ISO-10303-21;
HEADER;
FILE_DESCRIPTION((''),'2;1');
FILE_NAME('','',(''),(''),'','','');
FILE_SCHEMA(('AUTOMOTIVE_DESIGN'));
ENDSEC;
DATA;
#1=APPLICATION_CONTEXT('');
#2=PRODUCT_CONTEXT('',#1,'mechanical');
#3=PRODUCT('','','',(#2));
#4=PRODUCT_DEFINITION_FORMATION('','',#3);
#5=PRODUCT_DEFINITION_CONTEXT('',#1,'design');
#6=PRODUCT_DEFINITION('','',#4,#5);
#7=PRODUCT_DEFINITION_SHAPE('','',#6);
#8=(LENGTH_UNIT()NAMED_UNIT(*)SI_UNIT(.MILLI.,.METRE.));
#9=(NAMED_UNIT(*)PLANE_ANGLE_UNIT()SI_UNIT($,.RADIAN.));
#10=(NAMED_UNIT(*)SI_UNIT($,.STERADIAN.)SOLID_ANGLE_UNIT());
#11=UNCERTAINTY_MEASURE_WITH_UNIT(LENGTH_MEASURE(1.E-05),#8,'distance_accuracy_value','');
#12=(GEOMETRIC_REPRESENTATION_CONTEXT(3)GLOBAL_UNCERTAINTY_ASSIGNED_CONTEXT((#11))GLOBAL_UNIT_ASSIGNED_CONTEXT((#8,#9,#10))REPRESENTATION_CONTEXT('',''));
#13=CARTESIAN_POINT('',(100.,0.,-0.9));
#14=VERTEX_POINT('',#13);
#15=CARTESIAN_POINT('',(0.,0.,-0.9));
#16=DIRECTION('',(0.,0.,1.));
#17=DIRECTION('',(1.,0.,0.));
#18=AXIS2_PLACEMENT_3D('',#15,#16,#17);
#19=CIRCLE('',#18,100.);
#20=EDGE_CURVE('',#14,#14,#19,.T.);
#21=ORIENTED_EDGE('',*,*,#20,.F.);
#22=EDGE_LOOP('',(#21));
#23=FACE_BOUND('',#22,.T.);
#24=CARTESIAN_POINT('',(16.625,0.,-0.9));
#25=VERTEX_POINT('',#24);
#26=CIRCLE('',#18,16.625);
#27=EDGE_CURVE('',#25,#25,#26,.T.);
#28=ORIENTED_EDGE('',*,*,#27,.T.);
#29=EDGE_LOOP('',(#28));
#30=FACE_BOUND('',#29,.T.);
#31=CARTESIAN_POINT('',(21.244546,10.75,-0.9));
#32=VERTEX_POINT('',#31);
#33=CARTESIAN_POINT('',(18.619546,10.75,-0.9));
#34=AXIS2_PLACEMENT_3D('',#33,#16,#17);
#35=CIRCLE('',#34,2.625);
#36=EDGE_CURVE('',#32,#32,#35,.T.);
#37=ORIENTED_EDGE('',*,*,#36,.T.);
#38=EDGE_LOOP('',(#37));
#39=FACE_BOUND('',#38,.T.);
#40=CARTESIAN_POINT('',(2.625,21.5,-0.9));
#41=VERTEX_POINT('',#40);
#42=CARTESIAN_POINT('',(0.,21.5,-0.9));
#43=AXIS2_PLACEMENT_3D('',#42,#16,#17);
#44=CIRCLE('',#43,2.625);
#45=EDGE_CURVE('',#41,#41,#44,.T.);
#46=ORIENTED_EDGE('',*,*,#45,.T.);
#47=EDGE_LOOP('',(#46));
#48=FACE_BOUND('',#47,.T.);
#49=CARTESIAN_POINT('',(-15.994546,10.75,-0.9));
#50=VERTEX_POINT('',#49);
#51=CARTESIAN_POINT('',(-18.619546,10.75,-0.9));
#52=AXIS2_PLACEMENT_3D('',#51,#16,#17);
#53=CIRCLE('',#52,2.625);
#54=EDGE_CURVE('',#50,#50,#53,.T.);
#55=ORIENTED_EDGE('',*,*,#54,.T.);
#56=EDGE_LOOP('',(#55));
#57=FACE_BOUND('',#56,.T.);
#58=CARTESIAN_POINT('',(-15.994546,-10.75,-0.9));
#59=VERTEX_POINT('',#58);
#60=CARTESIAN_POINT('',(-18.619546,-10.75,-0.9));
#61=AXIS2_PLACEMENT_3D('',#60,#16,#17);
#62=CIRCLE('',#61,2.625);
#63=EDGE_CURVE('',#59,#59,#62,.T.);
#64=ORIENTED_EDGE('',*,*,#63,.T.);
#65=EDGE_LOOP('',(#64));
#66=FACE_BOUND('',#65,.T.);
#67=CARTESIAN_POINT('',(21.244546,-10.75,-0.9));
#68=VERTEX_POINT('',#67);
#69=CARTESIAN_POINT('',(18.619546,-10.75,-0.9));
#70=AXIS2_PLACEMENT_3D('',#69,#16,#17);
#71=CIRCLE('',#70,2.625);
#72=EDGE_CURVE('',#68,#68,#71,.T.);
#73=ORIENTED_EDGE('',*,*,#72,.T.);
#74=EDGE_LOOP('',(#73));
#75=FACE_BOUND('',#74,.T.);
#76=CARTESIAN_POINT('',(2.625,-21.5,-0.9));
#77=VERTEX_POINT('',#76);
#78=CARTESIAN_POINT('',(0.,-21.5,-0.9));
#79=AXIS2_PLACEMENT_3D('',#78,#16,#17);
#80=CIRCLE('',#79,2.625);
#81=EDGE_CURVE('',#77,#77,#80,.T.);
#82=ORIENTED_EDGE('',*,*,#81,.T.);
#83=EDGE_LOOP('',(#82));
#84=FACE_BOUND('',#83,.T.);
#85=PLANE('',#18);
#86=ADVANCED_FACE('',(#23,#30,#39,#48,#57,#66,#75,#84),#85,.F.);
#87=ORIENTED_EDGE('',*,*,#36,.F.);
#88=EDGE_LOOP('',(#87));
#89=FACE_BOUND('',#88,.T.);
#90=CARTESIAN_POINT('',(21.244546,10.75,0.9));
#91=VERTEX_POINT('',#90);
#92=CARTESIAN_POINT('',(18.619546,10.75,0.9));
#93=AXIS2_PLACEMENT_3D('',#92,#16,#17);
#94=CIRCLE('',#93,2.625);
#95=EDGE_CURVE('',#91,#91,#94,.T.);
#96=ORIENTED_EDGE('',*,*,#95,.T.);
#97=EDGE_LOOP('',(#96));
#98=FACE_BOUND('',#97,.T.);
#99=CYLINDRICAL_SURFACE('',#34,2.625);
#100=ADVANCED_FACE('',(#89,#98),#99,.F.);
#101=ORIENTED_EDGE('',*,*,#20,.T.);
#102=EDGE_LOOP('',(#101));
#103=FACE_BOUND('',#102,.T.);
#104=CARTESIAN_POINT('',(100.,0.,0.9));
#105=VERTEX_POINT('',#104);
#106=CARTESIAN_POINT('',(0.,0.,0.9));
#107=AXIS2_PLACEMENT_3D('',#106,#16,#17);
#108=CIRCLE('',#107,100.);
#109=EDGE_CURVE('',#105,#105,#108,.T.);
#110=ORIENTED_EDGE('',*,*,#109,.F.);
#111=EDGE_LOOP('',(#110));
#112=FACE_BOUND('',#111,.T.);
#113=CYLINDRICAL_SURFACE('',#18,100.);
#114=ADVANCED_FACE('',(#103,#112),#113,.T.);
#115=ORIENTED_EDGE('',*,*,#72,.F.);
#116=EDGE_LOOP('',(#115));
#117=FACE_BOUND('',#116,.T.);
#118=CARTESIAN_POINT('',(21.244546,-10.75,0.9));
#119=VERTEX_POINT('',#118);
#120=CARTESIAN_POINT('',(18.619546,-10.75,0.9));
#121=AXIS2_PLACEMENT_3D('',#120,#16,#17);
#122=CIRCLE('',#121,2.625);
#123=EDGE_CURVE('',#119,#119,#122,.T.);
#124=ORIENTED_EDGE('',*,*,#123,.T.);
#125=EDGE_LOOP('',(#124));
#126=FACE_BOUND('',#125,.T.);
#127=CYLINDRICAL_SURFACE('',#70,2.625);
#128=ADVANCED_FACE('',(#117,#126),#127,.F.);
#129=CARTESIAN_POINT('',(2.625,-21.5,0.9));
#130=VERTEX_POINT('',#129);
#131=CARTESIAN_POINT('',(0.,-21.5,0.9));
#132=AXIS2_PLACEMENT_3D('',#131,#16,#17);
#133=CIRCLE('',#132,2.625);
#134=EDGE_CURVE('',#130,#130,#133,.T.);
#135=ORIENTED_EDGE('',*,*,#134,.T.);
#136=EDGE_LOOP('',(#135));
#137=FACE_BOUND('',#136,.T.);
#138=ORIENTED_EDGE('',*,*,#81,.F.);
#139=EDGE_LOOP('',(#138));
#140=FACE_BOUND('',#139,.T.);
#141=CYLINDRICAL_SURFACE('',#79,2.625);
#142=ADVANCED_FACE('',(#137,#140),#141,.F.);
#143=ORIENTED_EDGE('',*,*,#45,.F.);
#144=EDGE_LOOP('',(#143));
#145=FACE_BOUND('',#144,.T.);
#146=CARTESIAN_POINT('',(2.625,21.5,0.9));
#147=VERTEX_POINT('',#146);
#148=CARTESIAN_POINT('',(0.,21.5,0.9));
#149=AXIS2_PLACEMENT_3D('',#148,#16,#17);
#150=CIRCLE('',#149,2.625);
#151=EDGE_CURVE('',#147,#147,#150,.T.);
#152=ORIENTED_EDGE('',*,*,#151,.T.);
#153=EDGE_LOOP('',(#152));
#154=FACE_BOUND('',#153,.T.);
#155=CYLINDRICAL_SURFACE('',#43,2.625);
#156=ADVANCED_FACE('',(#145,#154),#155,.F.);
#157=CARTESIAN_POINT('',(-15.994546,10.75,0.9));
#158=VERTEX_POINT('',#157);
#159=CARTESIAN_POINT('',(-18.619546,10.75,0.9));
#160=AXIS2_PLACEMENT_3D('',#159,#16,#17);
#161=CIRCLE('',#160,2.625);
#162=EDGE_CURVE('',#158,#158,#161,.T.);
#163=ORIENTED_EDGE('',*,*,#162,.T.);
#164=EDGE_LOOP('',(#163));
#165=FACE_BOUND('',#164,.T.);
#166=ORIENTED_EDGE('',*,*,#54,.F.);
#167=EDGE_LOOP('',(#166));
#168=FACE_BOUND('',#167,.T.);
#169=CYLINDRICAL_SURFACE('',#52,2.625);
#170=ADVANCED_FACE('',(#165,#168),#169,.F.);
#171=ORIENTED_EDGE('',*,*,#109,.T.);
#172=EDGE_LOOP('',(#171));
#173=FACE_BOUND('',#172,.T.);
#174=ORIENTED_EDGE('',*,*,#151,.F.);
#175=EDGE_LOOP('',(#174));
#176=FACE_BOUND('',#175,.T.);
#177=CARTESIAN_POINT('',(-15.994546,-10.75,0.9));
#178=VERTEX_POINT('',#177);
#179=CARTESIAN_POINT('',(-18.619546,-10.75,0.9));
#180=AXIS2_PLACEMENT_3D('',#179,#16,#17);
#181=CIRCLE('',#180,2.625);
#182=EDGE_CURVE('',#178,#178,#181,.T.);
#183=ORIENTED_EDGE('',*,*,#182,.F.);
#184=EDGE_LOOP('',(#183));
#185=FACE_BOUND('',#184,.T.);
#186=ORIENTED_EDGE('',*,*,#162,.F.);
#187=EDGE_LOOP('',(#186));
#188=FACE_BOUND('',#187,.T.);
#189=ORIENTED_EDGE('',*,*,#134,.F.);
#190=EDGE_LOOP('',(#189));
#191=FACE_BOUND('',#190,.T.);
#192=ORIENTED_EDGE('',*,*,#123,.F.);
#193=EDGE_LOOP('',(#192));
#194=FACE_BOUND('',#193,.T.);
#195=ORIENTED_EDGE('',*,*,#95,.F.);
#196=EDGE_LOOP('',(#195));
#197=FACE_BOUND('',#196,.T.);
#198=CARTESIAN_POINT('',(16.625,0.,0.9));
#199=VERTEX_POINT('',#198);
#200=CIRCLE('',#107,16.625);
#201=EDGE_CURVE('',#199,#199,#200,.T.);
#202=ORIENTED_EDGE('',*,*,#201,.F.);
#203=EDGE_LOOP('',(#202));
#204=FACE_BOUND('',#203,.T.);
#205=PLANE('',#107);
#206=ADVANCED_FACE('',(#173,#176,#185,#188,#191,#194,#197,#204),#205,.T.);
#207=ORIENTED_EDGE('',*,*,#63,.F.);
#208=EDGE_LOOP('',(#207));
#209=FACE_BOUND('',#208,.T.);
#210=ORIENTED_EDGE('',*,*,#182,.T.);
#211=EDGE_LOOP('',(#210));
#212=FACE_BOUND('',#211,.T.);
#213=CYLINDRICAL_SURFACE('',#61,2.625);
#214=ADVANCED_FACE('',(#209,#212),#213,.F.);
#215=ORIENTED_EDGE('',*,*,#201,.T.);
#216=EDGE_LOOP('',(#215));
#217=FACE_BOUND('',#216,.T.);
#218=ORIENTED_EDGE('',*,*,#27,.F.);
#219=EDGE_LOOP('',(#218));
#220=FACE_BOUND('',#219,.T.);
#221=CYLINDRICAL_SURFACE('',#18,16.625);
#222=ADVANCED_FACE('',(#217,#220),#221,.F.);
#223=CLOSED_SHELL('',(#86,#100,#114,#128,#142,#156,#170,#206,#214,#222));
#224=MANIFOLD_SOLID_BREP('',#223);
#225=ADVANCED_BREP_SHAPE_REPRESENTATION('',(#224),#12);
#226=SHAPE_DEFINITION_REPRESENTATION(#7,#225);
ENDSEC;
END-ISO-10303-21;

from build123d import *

# Parameters (mm, degrees)
BOSS_EXTRUDE1_DEPTH      = 0.9
BOSS_EXTRUDE1_DEPTH_BACK = 0.9
SKETCH1_R                = 100
SKETCH1_R_2              = 16.625
SKETCH1_R_3              = 2.625


with BuildPart() as part:
    # Sketch1 → Boss-Extrude1 (new, two sides: drawn at the far end of the back side and taken through both)
    with BuildSketch(Plane.XY.offset(-BOSS_EXTRUDE1_DEPTH_BACK)):
        Circle(SKETCH1_R)
        Circle(SKETCH1_R_2, mode=Mode.SUBTRACT)
        with Locations((0, 21.5)):
            Circle(SKETCH1_R_3, mode=Mode.SUBTRACT)
        with Locations((18.619546181, 10.75)):
            Circle(SKETCH1_R_3, mode=Mode.SUBTRACT)
        with Locations((18.619546181, -10.75)):
            Circle(SKETCH1_R_3, mode=Mode.SUBTRACT)
        with Locations((0, -21.5)):
            Circle(SKETCH1_R_3, mode=Mode.SUBTRACT)
        with Locations((-18.619546181, -10.75)):
            Circle(SKETCH1_R_3, mode=Mode.SUBTRACT)
        with Locations((-18.619546181, 10.75)):
            Circle(SKETCH1_R_3, mode=Mode.SUBTRACT)
    extrude(amount=BOSS_EXTRUDE1_DEPTH + BOSS_EXTRUDE1_DEPTH_BACK)


solid = part.part
